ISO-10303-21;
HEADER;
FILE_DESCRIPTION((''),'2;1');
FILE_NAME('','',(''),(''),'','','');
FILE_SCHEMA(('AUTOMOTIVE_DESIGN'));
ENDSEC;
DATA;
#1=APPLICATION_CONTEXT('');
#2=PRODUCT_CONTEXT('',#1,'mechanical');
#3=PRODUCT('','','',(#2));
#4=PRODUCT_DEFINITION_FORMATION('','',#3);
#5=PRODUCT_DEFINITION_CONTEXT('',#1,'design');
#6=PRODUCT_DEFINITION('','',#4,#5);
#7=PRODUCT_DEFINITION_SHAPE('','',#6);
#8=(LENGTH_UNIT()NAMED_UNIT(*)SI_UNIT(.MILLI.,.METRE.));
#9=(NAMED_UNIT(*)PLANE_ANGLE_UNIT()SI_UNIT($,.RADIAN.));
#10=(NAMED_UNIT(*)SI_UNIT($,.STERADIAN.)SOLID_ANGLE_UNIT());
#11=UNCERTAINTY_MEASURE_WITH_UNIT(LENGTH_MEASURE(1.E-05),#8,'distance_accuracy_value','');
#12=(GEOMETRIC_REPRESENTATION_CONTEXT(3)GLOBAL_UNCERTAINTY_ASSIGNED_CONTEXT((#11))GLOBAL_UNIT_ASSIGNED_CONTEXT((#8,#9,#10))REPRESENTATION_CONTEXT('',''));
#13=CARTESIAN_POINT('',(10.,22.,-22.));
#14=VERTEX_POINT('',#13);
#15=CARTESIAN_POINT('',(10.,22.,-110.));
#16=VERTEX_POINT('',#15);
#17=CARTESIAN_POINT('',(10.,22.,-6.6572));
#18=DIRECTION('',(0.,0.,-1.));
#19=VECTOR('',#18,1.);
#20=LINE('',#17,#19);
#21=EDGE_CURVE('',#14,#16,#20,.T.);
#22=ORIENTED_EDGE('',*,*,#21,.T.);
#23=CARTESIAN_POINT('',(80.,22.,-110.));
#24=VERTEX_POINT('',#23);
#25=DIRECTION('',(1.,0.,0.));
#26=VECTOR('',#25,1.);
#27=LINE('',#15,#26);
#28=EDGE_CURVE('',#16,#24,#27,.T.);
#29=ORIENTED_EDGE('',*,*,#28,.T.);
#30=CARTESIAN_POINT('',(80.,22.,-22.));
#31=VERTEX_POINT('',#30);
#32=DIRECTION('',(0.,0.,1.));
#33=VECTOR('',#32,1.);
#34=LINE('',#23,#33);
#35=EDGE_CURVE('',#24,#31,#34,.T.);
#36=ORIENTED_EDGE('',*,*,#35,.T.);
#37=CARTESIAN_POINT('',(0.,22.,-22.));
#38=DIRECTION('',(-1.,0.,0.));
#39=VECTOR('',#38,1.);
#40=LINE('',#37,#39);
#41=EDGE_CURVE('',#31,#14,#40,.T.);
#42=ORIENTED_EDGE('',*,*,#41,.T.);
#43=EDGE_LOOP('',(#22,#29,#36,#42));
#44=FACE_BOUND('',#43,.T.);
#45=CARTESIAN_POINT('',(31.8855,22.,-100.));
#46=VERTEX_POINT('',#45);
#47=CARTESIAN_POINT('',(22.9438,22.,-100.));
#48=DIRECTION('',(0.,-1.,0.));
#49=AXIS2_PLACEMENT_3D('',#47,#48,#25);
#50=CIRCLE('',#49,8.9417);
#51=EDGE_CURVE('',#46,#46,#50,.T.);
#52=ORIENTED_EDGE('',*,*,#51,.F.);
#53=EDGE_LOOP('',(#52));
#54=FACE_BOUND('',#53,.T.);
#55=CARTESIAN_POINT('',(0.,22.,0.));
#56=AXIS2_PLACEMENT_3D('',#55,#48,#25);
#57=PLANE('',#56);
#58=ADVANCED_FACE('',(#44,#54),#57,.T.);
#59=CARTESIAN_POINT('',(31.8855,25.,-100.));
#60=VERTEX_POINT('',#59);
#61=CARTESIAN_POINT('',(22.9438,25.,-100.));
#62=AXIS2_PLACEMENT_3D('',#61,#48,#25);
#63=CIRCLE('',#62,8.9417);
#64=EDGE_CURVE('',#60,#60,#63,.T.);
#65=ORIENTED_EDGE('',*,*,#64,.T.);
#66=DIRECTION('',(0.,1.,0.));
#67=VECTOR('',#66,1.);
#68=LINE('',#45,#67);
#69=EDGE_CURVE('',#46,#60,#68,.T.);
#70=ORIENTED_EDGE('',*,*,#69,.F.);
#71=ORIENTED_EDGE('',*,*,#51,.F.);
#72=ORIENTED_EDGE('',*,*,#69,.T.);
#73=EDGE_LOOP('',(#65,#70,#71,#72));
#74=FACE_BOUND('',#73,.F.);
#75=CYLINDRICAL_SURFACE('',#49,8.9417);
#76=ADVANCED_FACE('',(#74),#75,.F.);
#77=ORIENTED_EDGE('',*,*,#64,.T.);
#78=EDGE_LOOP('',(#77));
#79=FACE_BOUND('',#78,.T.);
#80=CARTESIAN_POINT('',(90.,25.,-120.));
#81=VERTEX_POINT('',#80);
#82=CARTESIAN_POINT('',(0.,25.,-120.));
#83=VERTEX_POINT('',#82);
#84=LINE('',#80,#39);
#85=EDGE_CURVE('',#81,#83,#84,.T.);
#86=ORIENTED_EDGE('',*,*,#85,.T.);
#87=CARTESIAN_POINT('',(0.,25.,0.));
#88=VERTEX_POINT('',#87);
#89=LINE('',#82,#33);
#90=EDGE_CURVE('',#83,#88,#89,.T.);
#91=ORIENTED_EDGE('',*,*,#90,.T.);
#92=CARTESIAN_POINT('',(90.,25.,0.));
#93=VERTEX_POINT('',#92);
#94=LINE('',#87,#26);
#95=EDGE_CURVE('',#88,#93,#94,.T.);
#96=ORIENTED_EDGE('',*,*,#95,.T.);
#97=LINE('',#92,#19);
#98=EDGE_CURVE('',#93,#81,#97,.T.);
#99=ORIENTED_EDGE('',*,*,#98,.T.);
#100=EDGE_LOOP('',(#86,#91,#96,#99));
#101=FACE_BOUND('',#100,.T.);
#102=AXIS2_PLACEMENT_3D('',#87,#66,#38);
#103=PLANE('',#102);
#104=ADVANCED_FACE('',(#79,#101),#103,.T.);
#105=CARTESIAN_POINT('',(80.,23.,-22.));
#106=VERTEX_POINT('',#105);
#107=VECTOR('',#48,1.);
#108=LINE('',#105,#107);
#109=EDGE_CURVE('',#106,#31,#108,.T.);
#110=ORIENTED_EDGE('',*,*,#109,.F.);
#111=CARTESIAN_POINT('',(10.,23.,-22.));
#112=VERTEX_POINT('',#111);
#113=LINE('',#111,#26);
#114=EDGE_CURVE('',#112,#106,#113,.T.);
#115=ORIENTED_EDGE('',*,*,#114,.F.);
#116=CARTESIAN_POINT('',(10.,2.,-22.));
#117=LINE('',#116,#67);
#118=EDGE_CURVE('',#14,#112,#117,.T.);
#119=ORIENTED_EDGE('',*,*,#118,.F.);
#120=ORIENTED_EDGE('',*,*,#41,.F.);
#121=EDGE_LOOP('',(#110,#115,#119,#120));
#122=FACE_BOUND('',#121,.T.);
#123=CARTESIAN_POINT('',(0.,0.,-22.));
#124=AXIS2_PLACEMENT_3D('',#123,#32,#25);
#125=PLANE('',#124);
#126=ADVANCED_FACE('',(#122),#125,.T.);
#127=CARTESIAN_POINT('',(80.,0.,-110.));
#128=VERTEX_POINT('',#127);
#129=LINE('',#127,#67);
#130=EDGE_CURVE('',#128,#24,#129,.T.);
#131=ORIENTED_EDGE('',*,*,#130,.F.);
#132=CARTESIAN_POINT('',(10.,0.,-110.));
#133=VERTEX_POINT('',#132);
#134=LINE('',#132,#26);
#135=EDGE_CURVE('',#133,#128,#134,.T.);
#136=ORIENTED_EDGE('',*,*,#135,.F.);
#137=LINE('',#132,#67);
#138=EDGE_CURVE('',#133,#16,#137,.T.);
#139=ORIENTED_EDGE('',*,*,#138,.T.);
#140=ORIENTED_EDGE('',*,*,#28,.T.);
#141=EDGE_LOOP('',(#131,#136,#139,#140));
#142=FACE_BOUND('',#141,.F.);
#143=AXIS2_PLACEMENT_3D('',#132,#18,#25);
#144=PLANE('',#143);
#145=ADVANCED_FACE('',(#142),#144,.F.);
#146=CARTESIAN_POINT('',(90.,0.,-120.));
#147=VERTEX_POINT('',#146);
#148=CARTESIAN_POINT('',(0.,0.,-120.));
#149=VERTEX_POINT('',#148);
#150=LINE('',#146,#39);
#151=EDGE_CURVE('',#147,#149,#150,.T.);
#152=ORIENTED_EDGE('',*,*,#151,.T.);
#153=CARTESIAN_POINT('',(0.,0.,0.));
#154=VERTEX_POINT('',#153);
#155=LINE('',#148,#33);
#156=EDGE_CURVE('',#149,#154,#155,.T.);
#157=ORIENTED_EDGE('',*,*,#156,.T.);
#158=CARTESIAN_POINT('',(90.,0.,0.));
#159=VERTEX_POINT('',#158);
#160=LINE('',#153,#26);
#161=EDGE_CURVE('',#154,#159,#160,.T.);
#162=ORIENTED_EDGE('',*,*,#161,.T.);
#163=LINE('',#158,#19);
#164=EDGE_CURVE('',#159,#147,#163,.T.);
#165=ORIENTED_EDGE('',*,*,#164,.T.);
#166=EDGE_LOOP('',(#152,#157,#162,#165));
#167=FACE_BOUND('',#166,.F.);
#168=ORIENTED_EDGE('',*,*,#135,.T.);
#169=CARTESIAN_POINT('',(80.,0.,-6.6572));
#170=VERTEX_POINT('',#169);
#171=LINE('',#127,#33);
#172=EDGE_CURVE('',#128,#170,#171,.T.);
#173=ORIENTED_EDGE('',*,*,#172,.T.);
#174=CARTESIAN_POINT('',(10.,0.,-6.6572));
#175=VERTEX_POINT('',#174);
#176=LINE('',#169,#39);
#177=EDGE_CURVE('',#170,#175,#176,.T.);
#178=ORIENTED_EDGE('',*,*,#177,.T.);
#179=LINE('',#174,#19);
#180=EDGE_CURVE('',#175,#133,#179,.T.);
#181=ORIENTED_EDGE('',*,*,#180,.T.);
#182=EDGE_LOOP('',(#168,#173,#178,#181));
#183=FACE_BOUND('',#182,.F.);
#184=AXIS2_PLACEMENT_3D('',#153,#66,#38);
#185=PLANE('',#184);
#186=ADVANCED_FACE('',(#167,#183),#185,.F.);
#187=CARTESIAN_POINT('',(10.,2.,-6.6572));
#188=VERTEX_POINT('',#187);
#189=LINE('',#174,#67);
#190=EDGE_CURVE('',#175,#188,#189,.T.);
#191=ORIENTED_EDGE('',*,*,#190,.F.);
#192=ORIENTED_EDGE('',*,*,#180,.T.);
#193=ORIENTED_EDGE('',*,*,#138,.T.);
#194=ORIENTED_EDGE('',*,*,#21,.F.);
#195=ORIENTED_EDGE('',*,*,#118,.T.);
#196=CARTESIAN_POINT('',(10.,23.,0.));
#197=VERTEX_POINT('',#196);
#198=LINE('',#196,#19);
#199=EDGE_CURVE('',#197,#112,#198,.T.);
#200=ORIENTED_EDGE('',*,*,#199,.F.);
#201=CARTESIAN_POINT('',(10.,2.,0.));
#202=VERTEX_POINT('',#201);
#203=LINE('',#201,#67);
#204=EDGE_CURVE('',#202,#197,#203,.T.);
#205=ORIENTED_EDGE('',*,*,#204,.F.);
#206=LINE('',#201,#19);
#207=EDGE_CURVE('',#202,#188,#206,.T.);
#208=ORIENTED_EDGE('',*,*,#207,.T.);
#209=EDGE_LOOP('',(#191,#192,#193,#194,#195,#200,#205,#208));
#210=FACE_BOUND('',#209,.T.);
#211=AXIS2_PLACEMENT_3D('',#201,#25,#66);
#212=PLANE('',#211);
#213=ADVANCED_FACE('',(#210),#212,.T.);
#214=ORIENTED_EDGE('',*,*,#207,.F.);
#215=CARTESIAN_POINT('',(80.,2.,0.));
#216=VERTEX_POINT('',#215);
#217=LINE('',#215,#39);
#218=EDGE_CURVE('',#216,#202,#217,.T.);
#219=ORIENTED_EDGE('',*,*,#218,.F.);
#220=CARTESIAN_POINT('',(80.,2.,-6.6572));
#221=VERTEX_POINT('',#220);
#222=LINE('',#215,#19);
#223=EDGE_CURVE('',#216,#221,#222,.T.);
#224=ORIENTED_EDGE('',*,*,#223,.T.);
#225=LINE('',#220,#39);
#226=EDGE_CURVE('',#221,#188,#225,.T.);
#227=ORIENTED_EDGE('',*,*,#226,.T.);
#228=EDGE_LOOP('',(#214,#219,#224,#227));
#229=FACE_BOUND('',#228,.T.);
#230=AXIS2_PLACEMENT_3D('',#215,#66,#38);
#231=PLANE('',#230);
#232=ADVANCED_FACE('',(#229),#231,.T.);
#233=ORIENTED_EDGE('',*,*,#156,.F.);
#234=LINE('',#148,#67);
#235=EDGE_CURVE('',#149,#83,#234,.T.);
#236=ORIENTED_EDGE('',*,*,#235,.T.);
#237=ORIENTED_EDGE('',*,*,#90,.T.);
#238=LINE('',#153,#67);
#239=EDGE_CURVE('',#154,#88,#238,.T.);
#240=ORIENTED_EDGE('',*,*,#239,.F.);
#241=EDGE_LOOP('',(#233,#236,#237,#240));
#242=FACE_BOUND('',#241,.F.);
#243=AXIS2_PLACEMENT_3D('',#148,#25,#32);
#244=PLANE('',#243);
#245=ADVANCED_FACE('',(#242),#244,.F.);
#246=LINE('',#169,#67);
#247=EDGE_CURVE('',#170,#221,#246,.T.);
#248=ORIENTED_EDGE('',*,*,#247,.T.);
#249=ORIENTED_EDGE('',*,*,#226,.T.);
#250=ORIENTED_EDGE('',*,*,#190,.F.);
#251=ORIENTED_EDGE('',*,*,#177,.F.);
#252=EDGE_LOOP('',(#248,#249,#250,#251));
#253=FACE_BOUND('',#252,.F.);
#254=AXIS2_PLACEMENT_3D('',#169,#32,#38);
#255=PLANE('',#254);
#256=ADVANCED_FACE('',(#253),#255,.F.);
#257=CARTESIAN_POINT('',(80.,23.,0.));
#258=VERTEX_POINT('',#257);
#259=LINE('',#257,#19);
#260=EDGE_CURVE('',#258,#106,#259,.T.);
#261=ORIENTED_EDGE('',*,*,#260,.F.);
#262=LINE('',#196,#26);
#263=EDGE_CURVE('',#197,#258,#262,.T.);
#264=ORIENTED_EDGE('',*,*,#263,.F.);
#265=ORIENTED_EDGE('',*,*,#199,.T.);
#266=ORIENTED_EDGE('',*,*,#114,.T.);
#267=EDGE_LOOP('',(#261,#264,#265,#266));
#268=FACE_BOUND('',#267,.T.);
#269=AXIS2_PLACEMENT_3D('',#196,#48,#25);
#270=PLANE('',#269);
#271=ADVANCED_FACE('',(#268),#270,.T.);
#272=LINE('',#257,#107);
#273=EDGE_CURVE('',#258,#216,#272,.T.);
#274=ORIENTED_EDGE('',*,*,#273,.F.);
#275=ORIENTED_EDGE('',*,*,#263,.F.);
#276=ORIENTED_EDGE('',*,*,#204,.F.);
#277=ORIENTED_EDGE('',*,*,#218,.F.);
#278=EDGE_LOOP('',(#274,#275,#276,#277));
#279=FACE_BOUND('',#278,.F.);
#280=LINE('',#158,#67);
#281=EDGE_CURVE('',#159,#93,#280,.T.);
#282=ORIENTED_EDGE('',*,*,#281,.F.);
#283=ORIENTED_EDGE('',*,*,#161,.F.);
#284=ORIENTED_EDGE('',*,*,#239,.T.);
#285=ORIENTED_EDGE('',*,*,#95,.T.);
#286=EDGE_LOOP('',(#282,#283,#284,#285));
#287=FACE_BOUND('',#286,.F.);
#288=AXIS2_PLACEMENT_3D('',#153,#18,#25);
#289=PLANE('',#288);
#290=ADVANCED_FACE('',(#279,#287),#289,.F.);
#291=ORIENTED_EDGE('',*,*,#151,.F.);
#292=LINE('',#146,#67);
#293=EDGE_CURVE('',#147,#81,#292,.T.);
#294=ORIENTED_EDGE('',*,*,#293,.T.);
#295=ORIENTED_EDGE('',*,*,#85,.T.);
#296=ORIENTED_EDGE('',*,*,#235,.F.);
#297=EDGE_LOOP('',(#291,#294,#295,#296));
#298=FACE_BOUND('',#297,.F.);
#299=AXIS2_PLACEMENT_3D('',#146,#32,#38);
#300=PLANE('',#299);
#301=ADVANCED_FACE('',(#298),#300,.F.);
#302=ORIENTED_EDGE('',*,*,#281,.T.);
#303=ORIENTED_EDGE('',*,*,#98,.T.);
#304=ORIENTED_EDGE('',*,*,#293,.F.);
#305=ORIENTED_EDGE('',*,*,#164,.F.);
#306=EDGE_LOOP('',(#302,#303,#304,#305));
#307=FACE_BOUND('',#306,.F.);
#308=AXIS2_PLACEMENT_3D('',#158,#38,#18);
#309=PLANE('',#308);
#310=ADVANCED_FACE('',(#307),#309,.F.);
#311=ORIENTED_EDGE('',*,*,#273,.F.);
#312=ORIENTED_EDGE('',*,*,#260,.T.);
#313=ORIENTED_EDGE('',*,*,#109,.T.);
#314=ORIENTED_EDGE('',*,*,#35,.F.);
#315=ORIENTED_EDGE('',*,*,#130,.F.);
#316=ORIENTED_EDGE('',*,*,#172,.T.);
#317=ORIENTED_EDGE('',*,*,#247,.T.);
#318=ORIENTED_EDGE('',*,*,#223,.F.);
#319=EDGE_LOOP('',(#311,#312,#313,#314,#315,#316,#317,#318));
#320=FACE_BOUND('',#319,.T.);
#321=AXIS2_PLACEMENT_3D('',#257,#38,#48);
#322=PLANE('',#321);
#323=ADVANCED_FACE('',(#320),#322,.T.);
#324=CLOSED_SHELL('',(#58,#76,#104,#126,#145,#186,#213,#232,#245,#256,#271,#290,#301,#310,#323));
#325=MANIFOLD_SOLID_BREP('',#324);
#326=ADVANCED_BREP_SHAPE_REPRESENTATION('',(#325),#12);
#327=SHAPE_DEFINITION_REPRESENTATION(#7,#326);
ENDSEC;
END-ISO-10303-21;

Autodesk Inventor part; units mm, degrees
ref_plane "YZ Plane" through (0, 0, 0) normal (1, 0, 0) x (0, 1, 0)
ref_plane "XZ Plane" through (0, 0, 0) normal (0, 1, 0) x (-1, 0, 0)
ref_plane "XY Plane" through (0, 0, 0) normal (0, 0, 1) x (1, 0, 0)
sketch "Sketch1" plane through (0, 0, 0) normal (0, 1, 0) x (-1, 0, 0)
  line L0 (0, 0) -> (-90, 0)
  line L1 (-90, 0) -> (-90, -120)
  line L2 (-90, -120) -> (0, -120)
  line L3 (0, -120) -> (0, 0)
  dimension "d0" = 90
  dimension "d1" = 120
extrude "Extrusion1" add sketch "Sketch1" along normal blind 25
sketch "Sketch2" plane through (0, 0, 0) normal (0, -1, 0) x (1, 0, 0)
  line L0 (80, -6.6572) -> (10, -6.6572)
  line L1 (10, -6.6572) -> (10, -110)
  line L2 (10, -110) -> (80, -110)
  line L3 (80, -110) -> (80, -6.6572)
  line L4 (0, -120) -> (0, 0) projected
  line L5 (0, 0) -> (90, 0) projected
  line L6 (90, -120) -> (0, -120) projected
  line L7 (90, 0) -> (90, -120) projected
  dimension "d4" = 10
  dimension "d5" = 6.6572
  dimension "d6" = 10
  dimension "d7" = 10
extrude "Extrusion2" cut sketch "Sketch2" against normal blind 22 contours L3 L2 L1 L0
sketch "Sketch3" plane through (0, 25, 0) normal (0, 1, 0) x (1, 0, 0)
  point P0 (0, 0)
sketch "Sketch4" plane through (0, 22, 0) normal (0, -1, 0) x (1, 0, 0)
  circle A0 centre (22.9438, -100) radius 8.9417
  line L0 (90, -120) -> (0, -120) projected
  point P0 (0, 0)
  dimension "d10" = 20
  dimension "d19" = 17.8834
extrude "Extrusion3" cut sketch "Sketch4" against normal blind 22
sketch "Sketch5" plane through (0, 0, 0) normal (0, 0, 1) x (1, 0, 0)
  line L0 (10, 23) -> (80, 23)
  line L1 (80, 23) -> (80, 2)
  line L2 (80, 2) -> (10, 2)
  line L3 (10, 2) -> (10, 23)
  line L4 (0, 0) -> (0, 25) projected
  line L5 (90, 0) -> (90, 25) projected
  line L6 (0, 0) -> (90, 0) projected
  line L7 (90, 25) -> (0, 25) projected
  dimension "d13" = 10
  dimension "d14" = 10
  dimension "d15" = 2
  dimension "d16" = 2
extrude "Extrusion4" cut sketch "Sketch5" against normal blind 22 contours L0 L1 L2 L3
properties part number "Case_Top_Part"
